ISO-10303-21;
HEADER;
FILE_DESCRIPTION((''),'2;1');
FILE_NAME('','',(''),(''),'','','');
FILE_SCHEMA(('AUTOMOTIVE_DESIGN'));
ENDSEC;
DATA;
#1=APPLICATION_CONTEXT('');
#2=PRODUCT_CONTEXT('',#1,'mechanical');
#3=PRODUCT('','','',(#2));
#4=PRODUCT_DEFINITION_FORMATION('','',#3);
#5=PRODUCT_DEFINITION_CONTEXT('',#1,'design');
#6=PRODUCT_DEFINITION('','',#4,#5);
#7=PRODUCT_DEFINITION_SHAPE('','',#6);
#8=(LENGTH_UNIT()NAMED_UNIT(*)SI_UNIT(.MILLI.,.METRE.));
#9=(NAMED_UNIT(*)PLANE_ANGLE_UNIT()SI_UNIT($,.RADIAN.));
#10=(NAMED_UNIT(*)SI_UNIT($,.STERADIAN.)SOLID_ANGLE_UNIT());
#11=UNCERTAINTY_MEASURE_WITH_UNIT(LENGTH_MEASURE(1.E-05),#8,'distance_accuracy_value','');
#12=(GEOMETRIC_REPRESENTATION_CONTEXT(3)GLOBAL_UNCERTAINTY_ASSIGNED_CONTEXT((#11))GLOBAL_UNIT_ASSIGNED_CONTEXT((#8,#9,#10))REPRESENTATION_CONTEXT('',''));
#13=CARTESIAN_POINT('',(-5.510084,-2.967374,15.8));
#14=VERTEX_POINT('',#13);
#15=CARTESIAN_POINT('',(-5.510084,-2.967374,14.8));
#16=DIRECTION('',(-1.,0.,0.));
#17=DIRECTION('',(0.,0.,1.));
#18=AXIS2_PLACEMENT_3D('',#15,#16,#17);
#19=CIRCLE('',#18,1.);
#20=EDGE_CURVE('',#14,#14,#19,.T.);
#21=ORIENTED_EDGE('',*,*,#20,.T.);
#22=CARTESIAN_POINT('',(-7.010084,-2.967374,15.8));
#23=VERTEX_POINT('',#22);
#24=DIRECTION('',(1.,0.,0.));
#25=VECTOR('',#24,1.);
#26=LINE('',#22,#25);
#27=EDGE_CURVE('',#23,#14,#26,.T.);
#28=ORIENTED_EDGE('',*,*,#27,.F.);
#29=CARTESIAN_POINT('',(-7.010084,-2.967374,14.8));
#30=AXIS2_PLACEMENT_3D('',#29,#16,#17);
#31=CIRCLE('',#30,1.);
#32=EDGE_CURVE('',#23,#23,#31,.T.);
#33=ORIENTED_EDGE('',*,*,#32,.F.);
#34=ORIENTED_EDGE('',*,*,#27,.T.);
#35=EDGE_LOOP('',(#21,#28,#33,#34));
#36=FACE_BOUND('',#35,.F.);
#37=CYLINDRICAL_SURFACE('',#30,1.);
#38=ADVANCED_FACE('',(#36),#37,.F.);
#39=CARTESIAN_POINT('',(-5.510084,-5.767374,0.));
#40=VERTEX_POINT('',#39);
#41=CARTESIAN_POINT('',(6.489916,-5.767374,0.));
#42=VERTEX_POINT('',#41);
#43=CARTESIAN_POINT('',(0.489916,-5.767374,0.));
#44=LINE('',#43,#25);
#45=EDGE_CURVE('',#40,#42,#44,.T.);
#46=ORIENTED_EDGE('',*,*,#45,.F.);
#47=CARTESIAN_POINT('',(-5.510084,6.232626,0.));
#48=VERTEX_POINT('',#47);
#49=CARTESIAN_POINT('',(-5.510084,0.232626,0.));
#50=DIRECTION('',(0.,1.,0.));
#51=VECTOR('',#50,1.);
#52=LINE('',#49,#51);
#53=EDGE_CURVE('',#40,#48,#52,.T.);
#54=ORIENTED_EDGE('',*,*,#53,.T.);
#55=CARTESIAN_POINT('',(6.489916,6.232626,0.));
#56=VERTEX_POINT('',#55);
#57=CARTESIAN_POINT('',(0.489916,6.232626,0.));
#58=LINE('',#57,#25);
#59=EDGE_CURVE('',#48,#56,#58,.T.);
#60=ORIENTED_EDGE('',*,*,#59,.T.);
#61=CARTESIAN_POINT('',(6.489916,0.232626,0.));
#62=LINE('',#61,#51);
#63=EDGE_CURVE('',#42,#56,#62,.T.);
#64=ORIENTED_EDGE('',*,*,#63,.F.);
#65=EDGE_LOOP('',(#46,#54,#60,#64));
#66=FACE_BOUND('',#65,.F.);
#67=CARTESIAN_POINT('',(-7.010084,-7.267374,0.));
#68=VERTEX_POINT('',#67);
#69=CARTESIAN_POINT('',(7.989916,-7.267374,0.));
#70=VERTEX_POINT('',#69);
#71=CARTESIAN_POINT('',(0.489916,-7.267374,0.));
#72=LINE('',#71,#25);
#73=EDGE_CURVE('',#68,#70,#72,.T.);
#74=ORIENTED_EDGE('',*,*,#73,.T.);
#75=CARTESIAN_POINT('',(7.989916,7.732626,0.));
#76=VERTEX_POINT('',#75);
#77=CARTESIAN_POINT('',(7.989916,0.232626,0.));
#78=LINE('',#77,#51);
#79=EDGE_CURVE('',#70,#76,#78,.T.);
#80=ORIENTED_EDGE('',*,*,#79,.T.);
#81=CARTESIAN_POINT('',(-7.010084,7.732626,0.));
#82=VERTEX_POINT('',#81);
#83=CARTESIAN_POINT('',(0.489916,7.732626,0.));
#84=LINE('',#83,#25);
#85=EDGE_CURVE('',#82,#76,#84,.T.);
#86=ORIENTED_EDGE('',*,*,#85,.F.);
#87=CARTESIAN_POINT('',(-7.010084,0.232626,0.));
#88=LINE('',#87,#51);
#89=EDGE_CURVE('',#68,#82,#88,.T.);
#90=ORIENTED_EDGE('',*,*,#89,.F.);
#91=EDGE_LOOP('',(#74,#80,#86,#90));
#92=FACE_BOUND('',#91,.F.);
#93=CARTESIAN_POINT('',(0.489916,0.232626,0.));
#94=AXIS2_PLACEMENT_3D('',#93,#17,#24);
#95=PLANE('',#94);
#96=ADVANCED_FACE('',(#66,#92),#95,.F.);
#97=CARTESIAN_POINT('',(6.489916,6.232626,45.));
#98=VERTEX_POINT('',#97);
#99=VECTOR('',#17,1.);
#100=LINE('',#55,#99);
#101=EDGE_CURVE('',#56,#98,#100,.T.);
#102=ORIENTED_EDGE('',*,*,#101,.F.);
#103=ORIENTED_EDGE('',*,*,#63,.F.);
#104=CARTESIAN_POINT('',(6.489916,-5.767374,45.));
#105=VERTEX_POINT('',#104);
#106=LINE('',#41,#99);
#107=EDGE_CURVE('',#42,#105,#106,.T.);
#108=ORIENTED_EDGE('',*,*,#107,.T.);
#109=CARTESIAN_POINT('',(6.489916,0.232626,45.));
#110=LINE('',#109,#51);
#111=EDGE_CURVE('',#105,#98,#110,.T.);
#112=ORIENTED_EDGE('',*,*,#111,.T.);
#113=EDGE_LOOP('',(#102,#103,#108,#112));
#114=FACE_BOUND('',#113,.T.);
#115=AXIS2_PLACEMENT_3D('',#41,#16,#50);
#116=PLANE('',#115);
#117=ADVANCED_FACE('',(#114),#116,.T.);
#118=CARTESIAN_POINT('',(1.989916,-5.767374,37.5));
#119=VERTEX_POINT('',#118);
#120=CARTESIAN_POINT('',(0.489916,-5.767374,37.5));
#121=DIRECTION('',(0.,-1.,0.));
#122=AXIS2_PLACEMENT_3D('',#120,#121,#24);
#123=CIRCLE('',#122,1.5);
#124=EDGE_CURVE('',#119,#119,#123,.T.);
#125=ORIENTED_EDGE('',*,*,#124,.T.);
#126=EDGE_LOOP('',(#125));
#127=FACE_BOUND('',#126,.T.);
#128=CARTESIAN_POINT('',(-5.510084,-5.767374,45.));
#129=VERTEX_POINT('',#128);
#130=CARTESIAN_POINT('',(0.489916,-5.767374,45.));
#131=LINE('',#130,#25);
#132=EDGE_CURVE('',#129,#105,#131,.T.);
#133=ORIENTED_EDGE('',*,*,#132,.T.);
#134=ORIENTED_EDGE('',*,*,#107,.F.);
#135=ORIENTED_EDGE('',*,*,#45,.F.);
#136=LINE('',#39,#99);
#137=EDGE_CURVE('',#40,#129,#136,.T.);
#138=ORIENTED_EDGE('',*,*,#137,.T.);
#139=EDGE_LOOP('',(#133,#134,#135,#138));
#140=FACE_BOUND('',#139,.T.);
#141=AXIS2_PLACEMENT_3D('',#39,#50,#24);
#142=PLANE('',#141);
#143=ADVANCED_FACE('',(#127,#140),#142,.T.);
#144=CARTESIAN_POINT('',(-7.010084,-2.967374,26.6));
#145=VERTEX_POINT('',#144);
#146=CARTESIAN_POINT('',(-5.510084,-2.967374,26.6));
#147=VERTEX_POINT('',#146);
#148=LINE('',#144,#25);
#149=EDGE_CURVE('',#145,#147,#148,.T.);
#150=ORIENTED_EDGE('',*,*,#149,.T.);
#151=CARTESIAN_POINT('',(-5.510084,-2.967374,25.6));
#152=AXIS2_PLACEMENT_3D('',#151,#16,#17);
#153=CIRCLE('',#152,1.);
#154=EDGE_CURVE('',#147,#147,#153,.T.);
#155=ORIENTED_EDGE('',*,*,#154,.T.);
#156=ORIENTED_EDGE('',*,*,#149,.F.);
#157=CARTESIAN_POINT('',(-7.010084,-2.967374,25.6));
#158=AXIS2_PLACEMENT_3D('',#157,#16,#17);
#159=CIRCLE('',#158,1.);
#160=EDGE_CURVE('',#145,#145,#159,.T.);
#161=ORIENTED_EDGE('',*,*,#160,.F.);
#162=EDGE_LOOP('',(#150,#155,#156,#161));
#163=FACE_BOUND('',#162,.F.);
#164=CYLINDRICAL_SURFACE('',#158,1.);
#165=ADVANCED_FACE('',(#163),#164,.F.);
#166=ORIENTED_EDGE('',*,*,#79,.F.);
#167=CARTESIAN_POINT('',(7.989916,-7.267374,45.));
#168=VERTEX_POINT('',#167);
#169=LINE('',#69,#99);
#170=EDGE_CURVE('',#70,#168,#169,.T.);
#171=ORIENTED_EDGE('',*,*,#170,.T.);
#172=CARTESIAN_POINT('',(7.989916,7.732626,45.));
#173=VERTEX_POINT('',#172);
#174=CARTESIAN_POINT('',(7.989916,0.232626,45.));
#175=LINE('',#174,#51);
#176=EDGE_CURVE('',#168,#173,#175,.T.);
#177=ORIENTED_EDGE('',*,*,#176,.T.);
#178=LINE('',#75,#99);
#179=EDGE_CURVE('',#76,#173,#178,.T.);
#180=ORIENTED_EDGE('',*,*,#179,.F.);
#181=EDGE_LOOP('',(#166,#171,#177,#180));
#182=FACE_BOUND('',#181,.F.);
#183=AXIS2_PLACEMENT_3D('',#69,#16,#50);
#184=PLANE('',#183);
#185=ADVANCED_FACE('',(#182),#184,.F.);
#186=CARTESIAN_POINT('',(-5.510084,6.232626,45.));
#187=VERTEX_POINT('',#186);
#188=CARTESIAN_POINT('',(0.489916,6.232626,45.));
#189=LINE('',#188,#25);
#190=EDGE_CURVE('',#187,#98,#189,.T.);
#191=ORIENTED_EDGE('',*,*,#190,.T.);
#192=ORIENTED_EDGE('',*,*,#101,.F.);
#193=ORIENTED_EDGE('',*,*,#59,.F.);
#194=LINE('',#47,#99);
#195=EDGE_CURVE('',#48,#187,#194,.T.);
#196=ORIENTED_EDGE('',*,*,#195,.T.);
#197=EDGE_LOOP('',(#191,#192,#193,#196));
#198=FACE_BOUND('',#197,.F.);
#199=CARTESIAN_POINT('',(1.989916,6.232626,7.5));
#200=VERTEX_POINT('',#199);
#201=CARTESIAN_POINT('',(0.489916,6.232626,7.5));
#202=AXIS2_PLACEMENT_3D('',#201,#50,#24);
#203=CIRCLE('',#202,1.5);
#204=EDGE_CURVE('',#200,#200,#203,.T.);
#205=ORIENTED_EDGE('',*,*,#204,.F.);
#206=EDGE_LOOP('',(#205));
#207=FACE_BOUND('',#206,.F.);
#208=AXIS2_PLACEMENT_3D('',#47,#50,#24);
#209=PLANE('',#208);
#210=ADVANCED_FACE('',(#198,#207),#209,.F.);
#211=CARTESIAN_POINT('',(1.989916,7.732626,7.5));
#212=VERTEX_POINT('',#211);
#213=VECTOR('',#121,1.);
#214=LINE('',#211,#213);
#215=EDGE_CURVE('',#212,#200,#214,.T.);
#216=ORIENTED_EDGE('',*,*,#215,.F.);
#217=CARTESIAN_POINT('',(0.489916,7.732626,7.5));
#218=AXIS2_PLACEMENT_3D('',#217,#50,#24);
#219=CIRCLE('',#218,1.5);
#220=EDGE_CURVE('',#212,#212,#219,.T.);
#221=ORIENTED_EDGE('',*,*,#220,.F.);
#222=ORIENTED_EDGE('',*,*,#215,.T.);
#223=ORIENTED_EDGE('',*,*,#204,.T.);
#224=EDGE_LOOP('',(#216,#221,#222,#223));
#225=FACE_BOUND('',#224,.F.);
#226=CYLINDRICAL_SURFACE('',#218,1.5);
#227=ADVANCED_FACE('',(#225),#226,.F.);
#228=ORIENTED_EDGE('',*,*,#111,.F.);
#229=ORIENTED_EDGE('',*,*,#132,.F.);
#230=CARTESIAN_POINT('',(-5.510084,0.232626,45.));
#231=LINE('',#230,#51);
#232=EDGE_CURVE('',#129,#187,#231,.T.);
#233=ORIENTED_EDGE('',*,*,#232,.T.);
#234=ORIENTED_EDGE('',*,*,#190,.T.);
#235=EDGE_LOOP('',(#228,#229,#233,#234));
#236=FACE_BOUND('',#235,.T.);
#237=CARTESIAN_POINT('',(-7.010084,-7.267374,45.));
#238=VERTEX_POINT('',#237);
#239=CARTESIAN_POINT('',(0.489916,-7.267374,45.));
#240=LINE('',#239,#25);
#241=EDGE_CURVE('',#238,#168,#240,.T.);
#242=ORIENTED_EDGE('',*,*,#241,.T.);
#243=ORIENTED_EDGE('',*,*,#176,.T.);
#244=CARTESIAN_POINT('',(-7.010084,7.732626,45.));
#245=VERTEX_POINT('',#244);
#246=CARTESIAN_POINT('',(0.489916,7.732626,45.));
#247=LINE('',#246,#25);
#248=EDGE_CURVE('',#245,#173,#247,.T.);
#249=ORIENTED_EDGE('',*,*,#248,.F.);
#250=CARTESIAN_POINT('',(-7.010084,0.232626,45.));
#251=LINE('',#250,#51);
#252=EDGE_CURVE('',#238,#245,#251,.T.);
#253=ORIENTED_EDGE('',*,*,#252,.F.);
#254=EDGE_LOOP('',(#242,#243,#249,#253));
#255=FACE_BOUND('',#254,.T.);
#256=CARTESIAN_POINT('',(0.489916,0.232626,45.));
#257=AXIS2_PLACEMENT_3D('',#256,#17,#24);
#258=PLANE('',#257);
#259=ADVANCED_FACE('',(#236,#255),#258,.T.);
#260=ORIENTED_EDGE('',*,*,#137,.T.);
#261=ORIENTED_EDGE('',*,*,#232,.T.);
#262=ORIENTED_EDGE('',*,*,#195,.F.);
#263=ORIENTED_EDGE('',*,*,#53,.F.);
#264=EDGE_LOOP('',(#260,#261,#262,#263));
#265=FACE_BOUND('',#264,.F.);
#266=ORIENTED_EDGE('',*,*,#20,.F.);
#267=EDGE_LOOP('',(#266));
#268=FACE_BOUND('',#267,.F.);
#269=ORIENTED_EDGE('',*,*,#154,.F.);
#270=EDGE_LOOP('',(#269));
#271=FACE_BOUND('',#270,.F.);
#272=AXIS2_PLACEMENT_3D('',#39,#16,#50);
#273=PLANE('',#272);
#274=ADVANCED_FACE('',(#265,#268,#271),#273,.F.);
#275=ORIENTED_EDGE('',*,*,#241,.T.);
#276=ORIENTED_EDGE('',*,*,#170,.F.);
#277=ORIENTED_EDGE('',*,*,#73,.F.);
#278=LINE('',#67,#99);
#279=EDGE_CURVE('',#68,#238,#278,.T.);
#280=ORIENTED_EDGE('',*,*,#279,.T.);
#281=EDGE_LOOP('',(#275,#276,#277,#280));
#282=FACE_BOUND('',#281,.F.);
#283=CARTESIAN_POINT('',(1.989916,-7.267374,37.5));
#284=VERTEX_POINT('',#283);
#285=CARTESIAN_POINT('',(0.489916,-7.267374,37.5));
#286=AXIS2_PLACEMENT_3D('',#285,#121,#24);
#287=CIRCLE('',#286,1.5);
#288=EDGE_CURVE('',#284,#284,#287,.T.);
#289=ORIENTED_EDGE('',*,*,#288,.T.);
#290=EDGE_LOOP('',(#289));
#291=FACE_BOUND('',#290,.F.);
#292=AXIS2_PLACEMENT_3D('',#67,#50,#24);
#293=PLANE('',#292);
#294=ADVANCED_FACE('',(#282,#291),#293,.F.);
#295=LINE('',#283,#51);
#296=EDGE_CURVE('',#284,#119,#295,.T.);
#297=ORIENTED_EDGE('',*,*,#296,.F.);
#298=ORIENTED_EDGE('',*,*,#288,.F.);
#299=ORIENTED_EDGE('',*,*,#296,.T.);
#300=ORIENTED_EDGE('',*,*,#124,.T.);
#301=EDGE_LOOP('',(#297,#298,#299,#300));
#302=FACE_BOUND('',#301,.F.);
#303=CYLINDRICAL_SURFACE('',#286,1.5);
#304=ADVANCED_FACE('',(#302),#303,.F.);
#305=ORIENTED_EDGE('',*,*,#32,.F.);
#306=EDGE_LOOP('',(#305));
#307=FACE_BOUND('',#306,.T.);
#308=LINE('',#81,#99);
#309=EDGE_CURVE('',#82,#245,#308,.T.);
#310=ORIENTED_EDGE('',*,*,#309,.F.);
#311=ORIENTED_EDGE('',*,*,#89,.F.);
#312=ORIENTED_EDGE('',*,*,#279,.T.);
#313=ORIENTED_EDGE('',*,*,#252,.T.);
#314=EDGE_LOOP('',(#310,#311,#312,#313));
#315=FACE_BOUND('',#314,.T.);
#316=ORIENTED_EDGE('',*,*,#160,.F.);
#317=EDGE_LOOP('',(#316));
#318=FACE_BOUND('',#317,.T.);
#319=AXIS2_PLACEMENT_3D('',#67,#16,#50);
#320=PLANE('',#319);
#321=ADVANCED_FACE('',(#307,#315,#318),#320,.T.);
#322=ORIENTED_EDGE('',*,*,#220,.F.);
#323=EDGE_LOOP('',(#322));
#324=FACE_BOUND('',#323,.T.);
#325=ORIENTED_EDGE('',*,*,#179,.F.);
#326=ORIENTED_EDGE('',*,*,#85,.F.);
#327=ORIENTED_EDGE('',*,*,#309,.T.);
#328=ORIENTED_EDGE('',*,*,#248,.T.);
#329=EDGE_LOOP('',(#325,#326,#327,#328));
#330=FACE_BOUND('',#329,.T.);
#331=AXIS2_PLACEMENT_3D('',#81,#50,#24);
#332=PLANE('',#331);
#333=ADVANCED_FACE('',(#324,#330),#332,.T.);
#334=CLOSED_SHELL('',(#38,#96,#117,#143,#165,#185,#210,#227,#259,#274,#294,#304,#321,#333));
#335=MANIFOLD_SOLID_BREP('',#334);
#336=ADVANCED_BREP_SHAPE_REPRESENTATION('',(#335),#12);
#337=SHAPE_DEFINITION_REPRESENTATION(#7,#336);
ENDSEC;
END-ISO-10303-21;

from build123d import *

# Parameters (mm, degrees)
SKETCH_1_W          = 15
SKETCH_1_H          = 15
SKETCH_1_W_2        = 12
SKETCH_1_H_2        = 12
EXTRUDE_2_DEPTH     = 45
SKETCH_2_R          = 1.5
CUT_EXTRUDE_1_DEPTH = 10
SKETCH_3_R          = 1.5
CUT_EXTRUDE_2_DEPTH = 10
SKETCH_7_R          = 1
CUT_EXTRUDE_5_DEPTH = 10


with BuildPart() as part:
    # ｽｹｯﾁ1 → ﾎﾞｽ - 押し出し2 (new body)
    with BuildSketch(Plane.XY):
        with Locations((0.489915859, 0.232626086)):
            Rectangle(SKETCH_1_W, SKETCH_1_H)
        with Locations((0.489915859, 0.232626086)):
            Rectangle(SKETCH_1_W_2, SKETCH_1_H_2, mode=Mode.SUBTRACT)
    extrude(amount=EXTRUDE_2_DEPTH)

    # ｽｹｯﾁ2 → ｶｯﾄ - 押し出し1 (cut)
    with BuildSketch(Plane(origin=(0, 7.732626086, 0), x_dir=(1, 0, 0), z_dir=(0, 1, 0))):
        with Locations((0.489915859, -7.5)):
            Circle(SKETCH_2_R)
    extrude(amount=-CUT_EXTRUDE_1_DEPTH, mode=Mode.SUBTRACT)

    # ｽｹｯﾁ3 → ｶｯﾄ - 押し出し2 (cut)
    with BuildSketch(Plane.XZ.offset(7.267373914)):
        with Locations((0.489915859, 37.5)):
            Circle(SKETCH_3_R)
    extrude(amount=-CUT_EXTRUDE_2_DEPTH, mode=Mode.SUBTRACT)

    # ｽｹｯﾁ7 → ｶｯﾄ - 押し出し5 (cut)
    with BuildSketch(Plane.ZY.offset(7.010084141)):
        with Locations((25.6, -2.967373914)):
            Circle(SKETCH_7_R)
        with Locations((14.8, -2.967373914)):
            Circle(SKETCH_7_R)
    extrude(amount=-CUT_EXTRUDE_5_DEPTH, mode=Mode.SUBTRACT)


solid = part.part
